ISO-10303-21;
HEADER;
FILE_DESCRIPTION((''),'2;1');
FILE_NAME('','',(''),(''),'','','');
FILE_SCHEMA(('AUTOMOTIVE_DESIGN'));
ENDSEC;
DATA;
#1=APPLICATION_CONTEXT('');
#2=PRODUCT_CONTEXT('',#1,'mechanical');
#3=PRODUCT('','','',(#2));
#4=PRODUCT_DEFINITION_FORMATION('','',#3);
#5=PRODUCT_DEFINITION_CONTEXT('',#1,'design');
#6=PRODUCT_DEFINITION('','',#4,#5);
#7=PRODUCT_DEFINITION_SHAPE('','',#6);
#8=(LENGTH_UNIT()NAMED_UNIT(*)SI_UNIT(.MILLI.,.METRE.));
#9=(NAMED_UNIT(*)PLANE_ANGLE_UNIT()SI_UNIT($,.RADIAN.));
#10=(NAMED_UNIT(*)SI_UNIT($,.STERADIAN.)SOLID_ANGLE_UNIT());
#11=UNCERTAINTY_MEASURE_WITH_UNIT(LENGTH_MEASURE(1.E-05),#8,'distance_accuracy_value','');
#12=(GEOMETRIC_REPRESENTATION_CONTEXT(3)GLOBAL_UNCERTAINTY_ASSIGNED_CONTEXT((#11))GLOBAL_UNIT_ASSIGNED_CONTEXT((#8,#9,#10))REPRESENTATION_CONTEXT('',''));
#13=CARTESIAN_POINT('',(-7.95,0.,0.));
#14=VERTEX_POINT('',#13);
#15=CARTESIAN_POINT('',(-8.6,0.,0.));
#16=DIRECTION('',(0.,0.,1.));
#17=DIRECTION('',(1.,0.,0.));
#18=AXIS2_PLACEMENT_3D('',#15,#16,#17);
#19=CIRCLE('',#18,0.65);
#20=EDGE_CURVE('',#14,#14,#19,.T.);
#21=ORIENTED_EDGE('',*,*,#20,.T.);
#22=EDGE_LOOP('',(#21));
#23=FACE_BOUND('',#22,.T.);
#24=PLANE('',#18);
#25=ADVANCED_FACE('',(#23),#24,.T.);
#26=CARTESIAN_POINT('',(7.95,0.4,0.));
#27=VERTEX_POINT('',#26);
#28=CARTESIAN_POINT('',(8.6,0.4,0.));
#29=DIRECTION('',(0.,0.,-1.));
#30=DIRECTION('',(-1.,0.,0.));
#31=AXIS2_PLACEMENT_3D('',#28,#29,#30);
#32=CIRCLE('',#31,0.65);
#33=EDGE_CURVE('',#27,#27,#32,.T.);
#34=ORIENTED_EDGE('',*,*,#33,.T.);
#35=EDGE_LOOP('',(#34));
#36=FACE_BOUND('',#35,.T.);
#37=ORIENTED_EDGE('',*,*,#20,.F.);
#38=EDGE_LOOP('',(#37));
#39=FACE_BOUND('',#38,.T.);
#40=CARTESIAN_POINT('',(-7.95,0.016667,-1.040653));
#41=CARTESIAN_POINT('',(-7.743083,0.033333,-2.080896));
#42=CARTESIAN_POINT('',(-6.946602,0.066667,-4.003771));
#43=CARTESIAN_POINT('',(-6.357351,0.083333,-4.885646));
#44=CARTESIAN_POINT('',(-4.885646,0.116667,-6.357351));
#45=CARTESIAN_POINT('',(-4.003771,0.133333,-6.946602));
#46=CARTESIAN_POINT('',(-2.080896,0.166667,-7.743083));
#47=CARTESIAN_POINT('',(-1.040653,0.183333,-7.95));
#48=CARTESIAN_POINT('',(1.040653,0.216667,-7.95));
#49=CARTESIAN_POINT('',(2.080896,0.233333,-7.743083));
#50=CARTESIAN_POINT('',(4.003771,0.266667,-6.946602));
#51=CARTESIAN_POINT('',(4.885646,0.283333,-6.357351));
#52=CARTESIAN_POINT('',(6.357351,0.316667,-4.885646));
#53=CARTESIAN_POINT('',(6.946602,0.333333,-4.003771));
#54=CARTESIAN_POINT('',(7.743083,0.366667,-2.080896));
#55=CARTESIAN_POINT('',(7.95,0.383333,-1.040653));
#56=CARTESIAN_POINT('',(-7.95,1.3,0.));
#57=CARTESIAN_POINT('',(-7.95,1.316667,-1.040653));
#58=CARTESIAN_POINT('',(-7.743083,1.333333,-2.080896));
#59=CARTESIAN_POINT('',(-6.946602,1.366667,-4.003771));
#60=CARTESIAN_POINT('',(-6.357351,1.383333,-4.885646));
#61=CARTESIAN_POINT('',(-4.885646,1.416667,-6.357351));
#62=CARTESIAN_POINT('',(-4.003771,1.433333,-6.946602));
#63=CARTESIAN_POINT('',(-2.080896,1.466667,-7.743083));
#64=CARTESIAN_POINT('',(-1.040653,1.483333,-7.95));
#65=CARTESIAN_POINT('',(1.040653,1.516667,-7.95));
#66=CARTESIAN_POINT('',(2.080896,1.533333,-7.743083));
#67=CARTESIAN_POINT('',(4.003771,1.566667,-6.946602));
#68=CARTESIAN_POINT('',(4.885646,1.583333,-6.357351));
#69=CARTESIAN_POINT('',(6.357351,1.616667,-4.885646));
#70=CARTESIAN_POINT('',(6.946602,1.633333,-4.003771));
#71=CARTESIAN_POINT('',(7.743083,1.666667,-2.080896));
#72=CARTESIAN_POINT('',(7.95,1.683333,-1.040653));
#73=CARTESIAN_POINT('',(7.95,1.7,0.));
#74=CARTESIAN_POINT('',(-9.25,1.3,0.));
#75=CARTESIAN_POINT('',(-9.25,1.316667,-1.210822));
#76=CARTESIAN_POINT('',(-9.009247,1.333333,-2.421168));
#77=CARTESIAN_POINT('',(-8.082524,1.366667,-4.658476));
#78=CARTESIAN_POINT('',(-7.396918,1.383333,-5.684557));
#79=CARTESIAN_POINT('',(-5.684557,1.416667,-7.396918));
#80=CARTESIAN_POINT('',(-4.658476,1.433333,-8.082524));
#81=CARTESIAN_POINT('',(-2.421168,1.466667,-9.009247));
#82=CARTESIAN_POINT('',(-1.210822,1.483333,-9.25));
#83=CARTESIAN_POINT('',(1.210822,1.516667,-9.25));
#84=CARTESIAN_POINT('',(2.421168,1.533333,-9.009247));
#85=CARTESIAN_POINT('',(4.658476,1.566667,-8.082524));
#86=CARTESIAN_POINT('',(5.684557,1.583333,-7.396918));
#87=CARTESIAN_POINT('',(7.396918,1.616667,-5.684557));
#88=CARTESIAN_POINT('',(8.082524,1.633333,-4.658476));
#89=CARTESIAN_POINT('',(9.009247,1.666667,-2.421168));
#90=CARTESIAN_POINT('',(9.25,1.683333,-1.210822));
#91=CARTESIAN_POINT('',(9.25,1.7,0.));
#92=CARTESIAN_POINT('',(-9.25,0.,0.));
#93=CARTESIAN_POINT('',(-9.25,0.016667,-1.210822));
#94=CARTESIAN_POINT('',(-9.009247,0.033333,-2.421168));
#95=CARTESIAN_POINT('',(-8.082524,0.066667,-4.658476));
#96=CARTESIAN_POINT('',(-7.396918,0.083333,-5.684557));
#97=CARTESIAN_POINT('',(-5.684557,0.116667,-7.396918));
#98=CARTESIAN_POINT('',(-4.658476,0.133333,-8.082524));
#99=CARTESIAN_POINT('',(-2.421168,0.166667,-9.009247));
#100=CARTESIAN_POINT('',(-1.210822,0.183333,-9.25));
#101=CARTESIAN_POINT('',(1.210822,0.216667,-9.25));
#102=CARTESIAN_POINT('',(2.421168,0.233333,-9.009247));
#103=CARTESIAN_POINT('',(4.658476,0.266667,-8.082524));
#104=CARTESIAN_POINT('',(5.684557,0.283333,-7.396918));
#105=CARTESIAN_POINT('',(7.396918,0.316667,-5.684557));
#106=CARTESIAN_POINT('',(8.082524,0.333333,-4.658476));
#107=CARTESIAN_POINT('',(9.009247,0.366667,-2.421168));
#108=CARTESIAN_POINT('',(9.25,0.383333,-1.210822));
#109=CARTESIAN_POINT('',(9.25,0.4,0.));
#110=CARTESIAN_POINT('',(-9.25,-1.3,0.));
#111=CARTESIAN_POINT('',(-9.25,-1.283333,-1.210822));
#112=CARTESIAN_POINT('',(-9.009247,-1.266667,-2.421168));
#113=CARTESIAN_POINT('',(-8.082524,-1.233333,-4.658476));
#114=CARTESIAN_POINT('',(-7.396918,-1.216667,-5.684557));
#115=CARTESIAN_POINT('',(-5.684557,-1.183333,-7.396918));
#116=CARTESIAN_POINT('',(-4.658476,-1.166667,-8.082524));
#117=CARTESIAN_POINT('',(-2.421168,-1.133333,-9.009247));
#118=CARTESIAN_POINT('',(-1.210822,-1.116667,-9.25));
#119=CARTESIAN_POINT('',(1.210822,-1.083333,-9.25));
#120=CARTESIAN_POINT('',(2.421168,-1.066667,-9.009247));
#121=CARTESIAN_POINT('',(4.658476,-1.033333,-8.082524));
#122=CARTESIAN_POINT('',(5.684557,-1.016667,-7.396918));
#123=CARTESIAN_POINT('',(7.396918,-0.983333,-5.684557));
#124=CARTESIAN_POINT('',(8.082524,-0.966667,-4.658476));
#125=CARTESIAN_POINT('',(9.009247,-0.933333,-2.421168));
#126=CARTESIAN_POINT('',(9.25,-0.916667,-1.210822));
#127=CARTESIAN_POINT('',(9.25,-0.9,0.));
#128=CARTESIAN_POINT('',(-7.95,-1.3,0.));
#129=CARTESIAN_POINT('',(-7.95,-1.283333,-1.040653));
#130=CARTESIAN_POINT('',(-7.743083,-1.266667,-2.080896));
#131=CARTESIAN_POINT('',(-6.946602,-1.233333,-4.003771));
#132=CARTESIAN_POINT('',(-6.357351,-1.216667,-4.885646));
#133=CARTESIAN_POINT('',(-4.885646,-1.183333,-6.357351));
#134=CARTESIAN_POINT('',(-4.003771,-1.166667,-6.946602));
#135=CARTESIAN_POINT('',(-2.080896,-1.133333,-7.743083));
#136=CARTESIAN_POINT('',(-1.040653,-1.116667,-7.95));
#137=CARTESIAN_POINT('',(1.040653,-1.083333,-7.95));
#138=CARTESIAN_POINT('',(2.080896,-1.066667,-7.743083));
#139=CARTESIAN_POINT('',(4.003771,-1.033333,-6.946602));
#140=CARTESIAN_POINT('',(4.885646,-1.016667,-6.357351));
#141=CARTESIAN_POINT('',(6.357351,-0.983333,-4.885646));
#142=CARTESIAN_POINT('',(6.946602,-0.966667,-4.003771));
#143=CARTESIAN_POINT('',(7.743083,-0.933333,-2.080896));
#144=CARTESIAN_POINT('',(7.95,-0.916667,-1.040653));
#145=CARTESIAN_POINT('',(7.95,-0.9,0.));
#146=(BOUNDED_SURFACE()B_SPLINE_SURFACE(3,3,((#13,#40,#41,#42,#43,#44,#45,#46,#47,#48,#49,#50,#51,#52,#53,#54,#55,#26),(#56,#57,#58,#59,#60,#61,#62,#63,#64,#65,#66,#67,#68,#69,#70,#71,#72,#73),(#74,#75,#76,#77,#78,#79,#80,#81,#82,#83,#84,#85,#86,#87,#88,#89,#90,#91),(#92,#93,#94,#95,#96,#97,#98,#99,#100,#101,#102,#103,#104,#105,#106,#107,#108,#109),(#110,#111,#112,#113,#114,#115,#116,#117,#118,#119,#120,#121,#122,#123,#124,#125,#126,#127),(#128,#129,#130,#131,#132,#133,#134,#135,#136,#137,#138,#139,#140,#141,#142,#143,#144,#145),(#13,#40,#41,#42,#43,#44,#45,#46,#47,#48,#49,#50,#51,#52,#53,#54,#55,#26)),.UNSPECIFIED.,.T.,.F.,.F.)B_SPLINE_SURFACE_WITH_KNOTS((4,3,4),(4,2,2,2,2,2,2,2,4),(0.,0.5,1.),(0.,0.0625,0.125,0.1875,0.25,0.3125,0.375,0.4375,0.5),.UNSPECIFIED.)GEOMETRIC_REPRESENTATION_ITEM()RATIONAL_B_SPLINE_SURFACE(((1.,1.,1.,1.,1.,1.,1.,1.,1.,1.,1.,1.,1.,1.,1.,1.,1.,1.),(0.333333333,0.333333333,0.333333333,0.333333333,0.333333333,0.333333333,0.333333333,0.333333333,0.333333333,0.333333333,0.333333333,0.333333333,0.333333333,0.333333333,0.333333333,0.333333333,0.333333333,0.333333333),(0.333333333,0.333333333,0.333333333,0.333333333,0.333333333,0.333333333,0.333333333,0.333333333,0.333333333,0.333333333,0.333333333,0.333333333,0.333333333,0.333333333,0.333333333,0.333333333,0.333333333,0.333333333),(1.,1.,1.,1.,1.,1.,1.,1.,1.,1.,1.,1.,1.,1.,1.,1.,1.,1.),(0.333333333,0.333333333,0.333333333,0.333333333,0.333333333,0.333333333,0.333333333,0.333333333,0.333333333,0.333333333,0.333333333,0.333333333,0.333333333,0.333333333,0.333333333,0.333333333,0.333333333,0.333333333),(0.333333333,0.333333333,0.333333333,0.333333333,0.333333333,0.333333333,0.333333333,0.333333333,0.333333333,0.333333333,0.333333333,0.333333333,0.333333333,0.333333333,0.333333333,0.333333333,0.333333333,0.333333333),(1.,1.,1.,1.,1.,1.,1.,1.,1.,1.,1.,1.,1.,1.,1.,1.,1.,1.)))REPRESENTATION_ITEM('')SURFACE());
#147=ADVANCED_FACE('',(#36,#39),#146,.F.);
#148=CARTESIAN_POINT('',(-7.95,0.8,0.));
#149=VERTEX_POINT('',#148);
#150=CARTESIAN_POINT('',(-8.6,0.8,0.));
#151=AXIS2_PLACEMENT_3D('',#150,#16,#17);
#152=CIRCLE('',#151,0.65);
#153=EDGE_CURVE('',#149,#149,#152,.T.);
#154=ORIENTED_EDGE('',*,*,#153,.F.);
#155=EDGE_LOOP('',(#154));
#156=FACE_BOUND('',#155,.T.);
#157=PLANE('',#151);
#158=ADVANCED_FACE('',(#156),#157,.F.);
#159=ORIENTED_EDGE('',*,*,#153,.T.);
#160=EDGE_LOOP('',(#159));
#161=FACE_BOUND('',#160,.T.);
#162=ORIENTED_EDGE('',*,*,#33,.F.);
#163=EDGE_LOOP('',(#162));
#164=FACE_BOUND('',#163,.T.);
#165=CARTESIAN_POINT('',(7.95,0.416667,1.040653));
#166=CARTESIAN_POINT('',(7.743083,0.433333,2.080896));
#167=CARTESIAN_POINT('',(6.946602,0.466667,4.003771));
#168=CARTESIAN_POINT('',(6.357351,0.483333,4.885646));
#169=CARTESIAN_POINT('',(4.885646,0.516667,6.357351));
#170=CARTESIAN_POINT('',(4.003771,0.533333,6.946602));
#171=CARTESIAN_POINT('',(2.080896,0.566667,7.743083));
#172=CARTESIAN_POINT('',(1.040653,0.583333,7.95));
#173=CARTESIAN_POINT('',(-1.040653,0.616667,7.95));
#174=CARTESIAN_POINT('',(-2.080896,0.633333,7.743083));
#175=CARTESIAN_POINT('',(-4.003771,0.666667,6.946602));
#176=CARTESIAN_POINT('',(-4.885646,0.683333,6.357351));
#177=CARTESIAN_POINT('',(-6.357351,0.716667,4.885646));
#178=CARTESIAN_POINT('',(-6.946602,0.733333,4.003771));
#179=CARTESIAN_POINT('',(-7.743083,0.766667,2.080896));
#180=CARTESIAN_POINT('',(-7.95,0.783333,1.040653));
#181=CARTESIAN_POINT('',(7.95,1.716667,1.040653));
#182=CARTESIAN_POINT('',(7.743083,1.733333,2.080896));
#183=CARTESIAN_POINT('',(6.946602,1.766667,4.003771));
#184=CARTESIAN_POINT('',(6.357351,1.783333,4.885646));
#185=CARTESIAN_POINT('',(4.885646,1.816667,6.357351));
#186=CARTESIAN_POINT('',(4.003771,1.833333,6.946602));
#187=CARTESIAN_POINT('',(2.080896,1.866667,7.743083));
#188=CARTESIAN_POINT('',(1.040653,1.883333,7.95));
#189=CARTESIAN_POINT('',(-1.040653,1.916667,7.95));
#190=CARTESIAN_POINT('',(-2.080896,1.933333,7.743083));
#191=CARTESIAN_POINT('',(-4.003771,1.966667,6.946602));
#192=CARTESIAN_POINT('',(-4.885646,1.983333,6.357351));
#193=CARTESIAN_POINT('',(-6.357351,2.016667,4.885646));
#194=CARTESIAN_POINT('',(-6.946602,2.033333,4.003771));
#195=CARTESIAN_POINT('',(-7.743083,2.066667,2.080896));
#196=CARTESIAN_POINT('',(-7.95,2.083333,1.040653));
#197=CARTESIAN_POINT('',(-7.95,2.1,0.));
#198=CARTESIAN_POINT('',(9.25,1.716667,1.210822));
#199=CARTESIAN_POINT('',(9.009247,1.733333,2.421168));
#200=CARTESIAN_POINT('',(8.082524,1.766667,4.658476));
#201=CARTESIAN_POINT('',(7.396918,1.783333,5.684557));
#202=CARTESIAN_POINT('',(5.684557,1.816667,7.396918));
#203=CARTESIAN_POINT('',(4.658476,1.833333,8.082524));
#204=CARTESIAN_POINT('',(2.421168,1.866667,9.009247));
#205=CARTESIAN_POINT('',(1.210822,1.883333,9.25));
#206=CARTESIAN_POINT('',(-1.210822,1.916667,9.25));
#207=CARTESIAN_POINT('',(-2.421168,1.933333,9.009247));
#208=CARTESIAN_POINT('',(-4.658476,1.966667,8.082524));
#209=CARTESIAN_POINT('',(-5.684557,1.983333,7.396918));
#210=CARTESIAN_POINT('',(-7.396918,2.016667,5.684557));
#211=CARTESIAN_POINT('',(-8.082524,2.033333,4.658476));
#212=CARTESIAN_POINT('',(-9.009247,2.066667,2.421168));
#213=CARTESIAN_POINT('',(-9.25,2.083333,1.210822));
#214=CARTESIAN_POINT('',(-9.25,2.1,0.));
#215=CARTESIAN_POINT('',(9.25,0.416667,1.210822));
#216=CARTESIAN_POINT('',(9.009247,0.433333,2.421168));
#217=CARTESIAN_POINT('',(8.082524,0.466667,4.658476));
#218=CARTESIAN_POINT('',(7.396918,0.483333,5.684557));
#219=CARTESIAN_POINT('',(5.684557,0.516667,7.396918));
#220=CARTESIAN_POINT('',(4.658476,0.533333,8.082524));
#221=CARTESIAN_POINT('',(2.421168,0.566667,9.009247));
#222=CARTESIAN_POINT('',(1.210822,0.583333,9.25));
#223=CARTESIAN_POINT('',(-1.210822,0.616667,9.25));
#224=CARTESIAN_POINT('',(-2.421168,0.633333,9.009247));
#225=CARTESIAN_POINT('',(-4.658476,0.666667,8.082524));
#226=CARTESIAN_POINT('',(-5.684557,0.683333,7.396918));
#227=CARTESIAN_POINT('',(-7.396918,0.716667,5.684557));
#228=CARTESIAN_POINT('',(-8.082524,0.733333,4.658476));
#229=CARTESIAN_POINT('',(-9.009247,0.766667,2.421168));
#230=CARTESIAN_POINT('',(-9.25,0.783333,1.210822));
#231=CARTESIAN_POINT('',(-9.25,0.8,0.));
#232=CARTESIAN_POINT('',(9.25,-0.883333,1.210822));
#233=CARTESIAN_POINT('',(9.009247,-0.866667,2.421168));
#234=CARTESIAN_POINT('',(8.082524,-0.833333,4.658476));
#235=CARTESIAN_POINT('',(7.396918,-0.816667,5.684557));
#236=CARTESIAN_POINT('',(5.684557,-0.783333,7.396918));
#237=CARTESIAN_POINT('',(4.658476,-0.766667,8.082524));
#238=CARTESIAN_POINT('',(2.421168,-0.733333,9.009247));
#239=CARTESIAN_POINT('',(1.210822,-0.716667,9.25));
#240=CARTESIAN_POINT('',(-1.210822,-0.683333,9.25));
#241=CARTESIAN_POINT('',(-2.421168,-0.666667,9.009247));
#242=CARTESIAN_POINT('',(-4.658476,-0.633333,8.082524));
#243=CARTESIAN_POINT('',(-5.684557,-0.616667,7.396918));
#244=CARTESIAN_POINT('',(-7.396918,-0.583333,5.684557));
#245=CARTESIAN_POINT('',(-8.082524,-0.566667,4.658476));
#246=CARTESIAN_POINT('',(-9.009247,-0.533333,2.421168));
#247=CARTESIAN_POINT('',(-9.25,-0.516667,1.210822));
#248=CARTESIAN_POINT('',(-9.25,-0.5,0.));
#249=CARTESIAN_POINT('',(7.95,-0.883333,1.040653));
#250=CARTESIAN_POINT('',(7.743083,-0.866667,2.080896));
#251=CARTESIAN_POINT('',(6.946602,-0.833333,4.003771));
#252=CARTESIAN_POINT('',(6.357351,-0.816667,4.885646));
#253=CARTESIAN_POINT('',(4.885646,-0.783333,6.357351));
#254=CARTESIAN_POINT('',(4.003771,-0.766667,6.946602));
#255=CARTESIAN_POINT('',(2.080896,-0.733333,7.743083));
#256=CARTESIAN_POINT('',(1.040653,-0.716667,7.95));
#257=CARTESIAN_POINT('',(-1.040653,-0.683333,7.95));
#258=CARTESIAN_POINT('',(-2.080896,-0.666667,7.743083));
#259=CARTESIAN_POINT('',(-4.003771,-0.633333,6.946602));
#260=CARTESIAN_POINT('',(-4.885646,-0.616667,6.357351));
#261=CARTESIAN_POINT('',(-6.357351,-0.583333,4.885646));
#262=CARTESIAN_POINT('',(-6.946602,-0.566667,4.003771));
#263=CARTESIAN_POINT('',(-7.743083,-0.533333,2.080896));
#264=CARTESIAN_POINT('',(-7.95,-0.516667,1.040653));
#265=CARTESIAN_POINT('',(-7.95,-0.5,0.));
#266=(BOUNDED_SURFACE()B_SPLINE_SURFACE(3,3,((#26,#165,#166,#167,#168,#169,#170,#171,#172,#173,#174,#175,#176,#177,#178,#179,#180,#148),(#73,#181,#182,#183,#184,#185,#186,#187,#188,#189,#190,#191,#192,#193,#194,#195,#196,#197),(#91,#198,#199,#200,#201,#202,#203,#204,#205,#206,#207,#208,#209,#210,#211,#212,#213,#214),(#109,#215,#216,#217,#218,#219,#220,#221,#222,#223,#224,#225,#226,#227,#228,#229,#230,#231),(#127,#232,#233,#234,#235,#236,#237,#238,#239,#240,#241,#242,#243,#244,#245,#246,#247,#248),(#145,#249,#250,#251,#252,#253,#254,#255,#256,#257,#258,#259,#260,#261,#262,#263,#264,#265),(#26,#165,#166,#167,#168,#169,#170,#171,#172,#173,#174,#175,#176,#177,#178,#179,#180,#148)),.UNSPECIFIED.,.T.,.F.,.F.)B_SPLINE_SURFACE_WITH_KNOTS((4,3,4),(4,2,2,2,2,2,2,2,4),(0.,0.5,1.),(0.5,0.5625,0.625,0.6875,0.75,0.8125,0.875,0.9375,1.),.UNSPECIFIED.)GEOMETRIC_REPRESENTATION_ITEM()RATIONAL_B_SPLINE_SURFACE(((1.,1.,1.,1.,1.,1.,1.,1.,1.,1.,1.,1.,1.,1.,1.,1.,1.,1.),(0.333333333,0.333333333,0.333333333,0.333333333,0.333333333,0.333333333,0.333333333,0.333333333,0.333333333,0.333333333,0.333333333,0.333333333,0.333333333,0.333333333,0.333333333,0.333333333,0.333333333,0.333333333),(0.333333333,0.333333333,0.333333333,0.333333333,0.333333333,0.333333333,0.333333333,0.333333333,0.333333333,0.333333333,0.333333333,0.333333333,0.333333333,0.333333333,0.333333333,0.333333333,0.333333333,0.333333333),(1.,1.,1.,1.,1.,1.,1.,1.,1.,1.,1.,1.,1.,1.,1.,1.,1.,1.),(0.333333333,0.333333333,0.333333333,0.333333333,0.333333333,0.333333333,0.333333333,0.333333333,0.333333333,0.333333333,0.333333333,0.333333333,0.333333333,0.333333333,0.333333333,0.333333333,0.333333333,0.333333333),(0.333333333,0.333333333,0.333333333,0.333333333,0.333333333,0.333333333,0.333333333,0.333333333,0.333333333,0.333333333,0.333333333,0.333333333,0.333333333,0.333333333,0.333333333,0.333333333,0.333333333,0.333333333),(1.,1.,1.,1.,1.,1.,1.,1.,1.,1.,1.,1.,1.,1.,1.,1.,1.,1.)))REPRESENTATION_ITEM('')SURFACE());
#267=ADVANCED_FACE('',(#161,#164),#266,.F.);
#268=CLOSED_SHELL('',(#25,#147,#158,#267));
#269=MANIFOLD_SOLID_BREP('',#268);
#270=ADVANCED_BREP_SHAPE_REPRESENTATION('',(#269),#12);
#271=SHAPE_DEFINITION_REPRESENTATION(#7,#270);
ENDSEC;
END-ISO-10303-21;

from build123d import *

# Parameters (mm, degrees)
BARRER1_PITCH       = 0.8
BARRER1_HEIGHT      = 0.8
BARRER1_RADIUS      = 8.6
BARRER1_START_ANGLE = -90
CROQUIS2_R          = 0.65


with BuildPart() as part:
    # Barrer1: sweep along a helix
    with BuildLine() as barrer1_path:
        add(Helix(BARRER1_PITCH, BARRER1_HEIGHT, BARRER1_RADIUS, center=(0, 0, 0), direction=(0, 1, 0), lefthand=True, mode=Mode.PRIVATE).rotate(Axis((0, 0, 0), (0, 1, 0)), BARRER1_START_ANGLE))
    # Croquis2 → Barrer1 (sweep)
    with BuildSketch(Plane.XY):
        with Locations((-8.6, 0)):
            Circle(CROQUIS2_R)
    sweep(path=barrer1_path.line, is_frenet=True)


solid = part.part
